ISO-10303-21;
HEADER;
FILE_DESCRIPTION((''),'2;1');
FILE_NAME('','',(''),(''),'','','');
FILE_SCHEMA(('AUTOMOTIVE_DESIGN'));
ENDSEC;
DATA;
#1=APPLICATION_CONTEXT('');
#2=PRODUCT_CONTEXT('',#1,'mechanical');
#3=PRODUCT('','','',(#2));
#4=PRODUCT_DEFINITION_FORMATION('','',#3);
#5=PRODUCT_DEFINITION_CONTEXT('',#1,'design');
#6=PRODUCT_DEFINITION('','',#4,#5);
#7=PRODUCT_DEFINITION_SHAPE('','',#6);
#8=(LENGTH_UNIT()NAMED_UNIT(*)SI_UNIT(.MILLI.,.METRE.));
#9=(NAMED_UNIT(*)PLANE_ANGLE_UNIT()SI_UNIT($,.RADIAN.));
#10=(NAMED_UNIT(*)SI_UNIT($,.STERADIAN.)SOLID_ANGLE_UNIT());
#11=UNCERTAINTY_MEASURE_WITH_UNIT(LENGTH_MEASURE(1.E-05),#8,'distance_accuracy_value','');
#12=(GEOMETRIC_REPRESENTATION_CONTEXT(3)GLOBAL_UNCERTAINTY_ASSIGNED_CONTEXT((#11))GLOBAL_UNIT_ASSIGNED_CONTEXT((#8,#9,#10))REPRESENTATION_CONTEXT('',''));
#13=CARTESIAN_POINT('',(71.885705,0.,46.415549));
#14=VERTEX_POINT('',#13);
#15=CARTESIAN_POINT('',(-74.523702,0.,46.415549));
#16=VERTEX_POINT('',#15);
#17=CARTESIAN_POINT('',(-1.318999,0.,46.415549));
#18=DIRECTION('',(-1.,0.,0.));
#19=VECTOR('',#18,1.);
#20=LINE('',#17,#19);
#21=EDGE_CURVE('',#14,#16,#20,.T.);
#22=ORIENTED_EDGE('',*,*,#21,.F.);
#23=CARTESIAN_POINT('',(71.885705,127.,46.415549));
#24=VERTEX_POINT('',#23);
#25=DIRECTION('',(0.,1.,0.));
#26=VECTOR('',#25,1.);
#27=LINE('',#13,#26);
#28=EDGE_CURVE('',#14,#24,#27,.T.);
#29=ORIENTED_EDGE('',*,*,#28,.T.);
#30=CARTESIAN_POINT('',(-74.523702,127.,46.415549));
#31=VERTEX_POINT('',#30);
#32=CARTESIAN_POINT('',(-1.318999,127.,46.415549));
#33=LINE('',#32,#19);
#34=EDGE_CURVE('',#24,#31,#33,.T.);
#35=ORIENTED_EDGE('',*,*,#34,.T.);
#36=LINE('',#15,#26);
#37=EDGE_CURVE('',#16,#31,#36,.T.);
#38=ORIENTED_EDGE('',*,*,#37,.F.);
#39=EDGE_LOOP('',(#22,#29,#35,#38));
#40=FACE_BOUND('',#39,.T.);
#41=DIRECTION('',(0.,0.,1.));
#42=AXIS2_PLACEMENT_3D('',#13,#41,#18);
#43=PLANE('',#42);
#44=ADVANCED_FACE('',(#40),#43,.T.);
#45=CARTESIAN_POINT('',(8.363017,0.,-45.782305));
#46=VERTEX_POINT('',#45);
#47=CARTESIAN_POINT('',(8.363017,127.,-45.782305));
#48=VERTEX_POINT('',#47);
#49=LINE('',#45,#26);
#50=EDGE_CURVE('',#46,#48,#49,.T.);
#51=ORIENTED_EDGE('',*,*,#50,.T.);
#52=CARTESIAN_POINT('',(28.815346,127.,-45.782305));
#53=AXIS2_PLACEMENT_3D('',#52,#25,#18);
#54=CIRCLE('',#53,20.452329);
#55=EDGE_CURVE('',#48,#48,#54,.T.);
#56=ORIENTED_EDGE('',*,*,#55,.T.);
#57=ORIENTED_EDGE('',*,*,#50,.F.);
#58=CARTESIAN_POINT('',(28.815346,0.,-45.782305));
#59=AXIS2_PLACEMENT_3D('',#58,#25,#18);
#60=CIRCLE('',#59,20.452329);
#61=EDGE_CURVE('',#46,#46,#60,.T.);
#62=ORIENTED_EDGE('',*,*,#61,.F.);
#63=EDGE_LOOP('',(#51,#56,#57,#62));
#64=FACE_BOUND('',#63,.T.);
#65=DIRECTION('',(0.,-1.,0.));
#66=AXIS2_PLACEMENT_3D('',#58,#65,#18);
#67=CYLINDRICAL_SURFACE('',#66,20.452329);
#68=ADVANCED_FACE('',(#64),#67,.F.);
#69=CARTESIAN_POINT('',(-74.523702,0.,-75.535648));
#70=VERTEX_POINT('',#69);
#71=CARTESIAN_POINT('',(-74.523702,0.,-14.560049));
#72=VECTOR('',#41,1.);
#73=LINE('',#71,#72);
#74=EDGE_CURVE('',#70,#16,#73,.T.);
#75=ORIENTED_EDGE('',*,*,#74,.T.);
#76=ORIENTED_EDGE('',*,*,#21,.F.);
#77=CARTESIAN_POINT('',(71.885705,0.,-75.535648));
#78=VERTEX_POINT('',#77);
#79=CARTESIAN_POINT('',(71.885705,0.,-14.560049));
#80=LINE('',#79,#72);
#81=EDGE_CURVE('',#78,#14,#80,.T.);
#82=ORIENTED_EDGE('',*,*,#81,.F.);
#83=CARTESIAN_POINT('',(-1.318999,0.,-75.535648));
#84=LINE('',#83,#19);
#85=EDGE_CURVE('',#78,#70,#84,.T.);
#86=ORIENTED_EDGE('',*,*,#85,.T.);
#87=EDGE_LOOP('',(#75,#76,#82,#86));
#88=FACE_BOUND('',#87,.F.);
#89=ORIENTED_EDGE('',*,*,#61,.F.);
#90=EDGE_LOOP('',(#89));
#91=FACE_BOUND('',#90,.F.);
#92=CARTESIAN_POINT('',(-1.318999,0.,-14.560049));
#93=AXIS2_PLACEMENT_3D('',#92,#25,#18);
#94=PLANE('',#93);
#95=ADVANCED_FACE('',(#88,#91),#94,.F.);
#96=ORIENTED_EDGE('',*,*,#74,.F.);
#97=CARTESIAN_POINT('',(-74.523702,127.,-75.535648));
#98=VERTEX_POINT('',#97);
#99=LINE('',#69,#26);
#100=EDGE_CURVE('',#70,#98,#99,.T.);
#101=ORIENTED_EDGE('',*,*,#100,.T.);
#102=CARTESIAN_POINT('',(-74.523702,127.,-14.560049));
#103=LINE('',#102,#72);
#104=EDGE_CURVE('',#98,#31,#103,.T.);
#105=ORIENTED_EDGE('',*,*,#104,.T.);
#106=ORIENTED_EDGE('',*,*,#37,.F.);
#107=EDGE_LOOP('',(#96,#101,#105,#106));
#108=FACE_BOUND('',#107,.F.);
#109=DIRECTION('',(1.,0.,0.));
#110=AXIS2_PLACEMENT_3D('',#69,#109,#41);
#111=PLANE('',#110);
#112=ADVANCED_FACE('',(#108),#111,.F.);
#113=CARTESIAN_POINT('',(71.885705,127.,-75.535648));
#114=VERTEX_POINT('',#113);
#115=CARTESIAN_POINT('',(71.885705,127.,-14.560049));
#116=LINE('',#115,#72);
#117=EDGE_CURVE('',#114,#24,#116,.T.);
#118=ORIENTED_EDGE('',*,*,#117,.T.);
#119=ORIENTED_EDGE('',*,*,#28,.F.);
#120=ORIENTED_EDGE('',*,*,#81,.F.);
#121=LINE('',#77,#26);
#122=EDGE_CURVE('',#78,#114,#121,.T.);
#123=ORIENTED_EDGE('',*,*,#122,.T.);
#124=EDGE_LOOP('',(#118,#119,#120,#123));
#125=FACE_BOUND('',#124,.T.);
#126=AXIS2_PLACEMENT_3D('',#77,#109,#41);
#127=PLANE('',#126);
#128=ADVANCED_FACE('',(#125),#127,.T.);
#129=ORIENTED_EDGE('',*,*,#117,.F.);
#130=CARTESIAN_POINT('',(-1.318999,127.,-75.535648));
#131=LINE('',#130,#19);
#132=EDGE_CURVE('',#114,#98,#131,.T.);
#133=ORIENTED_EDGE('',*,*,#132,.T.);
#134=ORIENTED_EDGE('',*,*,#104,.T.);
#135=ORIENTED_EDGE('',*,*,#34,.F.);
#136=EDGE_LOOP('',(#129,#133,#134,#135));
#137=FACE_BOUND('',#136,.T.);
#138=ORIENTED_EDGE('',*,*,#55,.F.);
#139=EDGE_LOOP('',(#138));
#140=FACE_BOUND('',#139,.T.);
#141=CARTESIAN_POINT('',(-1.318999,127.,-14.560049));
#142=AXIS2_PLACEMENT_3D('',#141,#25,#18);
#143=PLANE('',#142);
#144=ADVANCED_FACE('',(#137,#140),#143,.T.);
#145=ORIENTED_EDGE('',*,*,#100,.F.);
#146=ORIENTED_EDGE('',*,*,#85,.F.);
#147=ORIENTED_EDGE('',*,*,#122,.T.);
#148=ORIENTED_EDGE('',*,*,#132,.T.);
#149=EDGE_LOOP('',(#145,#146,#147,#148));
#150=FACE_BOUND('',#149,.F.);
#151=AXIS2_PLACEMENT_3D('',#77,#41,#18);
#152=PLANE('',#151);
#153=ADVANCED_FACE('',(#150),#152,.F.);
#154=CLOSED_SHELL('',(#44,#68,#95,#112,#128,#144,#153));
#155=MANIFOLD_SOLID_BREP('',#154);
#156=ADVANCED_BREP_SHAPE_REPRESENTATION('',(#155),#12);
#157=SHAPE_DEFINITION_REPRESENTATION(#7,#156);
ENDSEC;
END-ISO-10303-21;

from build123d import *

# Parameters (mm, degrees)
F0_W     = 146.409407258
F0_H     = 121.9511963427
F1_DEPTH = 127
F4_D     = 25.4
F2_W     = 146.409407258
F2_H     = 121.9511963427
F2_R     = 20.4523292797
F6_DEPTH = 127


with BuildPart() as f1:
    # F0 (on Front) → F1 (new body)
    with BuildSketch(Plane.XZ):
        with Locations((-1.3189986348, -14.5600493997)):
            Rectangle(F0_W, F0_H)
    extrude(amount=F1_DEPTH)

    # F4 (through all)
    with Locations(Plane(origin=(0, 0, 0), x_dir=(-1, 0, 0), z_dir=(0, 1, 0))):
        with Locations((-28.0630998313, -46.4930534363)):
            Hole(F4_D / 2)


with BuildPart() as f6:
    # F2 (on face) → F6 (new body)
    with BuildSketch(Plane(origin=(0, 0, 0), x_dir=(-1, 0, 0), z_dir=(0, 1, 0))):
        with Locations((1.3189986348, -14.5600493997)):
            Rectangle(F2_W, F2_H)
        with Locations((-28.8153458387, -45.7823053002)):
            Circle(F2_R, mode=Mode.SUBTRACT)
    extrude(amount=F6_DEPTH)


solid = f6.part
